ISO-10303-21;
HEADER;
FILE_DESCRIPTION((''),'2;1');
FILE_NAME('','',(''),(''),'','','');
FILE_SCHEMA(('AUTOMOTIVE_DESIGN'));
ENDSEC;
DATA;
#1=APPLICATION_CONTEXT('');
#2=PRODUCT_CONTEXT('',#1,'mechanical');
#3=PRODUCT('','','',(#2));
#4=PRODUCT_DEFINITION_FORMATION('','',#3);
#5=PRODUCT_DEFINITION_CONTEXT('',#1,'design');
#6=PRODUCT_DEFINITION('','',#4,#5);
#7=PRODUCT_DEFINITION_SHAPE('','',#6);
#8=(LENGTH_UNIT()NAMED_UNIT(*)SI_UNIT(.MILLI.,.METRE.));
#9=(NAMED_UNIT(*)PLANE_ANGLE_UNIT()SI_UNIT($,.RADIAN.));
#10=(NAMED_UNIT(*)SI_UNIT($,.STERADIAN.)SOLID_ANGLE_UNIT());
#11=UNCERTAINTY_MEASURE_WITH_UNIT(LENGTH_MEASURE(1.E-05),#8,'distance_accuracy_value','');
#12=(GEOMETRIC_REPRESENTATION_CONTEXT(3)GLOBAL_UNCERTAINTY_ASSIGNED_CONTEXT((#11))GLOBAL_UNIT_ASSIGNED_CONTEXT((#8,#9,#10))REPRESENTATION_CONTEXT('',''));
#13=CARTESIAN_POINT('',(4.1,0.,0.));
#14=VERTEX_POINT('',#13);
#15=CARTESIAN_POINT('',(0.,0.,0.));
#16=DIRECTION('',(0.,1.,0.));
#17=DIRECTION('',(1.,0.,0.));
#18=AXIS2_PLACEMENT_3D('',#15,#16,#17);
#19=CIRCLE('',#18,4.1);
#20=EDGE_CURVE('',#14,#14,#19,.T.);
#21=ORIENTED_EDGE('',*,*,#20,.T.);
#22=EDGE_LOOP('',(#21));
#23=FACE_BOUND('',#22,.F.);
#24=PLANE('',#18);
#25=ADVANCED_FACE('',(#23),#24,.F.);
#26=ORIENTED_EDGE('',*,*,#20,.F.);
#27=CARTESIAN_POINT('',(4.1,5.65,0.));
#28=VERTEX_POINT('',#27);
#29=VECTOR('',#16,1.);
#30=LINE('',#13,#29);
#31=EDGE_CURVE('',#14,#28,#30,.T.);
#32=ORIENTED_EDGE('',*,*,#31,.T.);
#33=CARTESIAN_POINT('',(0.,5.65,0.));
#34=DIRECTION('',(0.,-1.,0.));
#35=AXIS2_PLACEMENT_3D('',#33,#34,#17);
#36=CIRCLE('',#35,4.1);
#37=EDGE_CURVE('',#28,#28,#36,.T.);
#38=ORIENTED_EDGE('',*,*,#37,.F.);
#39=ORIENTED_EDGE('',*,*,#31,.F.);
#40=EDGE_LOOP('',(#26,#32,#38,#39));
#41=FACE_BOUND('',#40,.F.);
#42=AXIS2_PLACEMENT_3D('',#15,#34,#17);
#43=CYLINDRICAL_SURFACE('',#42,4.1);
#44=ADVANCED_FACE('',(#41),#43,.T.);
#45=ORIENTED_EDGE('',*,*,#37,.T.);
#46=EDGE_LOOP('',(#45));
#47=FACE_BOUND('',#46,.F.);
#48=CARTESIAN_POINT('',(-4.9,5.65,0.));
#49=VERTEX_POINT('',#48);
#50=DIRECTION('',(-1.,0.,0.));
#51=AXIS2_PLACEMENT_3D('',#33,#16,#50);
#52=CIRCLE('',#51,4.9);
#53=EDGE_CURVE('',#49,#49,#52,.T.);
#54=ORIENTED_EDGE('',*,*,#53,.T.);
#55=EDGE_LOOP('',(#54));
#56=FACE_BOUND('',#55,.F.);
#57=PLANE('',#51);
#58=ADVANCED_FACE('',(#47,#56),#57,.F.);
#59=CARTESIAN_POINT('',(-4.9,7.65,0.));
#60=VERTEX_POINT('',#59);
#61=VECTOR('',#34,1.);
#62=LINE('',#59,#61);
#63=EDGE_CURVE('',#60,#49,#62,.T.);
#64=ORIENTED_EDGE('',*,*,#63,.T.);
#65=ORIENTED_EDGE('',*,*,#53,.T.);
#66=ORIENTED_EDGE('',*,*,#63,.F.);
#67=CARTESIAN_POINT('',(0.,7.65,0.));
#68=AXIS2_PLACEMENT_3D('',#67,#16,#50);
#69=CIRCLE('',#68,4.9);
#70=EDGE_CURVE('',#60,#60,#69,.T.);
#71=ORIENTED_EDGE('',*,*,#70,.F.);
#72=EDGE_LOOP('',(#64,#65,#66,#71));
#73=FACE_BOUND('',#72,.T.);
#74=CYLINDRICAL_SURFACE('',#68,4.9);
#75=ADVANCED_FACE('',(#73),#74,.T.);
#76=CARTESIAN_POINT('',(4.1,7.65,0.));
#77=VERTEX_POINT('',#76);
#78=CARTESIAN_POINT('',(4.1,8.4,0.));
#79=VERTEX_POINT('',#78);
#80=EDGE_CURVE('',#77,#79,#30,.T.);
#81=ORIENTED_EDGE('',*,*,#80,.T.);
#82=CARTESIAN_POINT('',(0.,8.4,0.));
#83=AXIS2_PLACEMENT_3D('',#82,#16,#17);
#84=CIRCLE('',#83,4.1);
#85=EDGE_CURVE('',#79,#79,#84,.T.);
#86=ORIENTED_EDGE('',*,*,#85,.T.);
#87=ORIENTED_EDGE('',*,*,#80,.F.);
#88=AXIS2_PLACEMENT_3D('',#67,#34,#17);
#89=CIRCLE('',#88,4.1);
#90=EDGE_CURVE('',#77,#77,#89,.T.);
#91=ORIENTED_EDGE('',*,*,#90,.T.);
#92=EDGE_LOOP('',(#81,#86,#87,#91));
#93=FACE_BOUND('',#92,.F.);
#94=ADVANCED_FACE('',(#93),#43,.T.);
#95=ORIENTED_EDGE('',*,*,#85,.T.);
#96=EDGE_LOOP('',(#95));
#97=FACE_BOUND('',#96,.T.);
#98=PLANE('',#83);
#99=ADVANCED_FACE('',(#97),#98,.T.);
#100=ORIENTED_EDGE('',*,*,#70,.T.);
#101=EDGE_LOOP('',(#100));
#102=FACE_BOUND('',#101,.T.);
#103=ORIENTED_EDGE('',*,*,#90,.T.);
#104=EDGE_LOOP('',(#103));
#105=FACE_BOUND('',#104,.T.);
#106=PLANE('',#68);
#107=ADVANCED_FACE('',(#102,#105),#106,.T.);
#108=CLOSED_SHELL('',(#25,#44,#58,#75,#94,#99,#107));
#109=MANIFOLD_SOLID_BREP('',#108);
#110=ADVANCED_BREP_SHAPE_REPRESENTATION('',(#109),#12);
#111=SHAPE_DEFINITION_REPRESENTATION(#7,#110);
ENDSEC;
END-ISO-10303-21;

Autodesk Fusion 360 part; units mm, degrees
sketch "Sketch1" plane through (0, 0, 0) normal (0, 1, 0) x (1, 0, 0)
  circle A0 centre (0, 0) radius 4.1
  dimension "d2" = 8.2
extrude "Extrude1" add sketch "Sketch1" along normal blind 8.4
sketch "Sketch2" plane through (0, 8.4, 0) normal (0, 1, 0) x (-1, 0, 0)
  circle A0 centre (0, 0) radius 4.1
  circle A1 centre (0, 0) radius 4.9
  dimension "d5" = 9.8
extrude "Extrude2" add sketch "Sketch2" against normal blind 2 from surface at -0.75
equation "d6 = -ActuatorDepth"
equation "ActuatorDepth = 0.75 mm" comment "Not in the drawing, so this is eyeballed"
